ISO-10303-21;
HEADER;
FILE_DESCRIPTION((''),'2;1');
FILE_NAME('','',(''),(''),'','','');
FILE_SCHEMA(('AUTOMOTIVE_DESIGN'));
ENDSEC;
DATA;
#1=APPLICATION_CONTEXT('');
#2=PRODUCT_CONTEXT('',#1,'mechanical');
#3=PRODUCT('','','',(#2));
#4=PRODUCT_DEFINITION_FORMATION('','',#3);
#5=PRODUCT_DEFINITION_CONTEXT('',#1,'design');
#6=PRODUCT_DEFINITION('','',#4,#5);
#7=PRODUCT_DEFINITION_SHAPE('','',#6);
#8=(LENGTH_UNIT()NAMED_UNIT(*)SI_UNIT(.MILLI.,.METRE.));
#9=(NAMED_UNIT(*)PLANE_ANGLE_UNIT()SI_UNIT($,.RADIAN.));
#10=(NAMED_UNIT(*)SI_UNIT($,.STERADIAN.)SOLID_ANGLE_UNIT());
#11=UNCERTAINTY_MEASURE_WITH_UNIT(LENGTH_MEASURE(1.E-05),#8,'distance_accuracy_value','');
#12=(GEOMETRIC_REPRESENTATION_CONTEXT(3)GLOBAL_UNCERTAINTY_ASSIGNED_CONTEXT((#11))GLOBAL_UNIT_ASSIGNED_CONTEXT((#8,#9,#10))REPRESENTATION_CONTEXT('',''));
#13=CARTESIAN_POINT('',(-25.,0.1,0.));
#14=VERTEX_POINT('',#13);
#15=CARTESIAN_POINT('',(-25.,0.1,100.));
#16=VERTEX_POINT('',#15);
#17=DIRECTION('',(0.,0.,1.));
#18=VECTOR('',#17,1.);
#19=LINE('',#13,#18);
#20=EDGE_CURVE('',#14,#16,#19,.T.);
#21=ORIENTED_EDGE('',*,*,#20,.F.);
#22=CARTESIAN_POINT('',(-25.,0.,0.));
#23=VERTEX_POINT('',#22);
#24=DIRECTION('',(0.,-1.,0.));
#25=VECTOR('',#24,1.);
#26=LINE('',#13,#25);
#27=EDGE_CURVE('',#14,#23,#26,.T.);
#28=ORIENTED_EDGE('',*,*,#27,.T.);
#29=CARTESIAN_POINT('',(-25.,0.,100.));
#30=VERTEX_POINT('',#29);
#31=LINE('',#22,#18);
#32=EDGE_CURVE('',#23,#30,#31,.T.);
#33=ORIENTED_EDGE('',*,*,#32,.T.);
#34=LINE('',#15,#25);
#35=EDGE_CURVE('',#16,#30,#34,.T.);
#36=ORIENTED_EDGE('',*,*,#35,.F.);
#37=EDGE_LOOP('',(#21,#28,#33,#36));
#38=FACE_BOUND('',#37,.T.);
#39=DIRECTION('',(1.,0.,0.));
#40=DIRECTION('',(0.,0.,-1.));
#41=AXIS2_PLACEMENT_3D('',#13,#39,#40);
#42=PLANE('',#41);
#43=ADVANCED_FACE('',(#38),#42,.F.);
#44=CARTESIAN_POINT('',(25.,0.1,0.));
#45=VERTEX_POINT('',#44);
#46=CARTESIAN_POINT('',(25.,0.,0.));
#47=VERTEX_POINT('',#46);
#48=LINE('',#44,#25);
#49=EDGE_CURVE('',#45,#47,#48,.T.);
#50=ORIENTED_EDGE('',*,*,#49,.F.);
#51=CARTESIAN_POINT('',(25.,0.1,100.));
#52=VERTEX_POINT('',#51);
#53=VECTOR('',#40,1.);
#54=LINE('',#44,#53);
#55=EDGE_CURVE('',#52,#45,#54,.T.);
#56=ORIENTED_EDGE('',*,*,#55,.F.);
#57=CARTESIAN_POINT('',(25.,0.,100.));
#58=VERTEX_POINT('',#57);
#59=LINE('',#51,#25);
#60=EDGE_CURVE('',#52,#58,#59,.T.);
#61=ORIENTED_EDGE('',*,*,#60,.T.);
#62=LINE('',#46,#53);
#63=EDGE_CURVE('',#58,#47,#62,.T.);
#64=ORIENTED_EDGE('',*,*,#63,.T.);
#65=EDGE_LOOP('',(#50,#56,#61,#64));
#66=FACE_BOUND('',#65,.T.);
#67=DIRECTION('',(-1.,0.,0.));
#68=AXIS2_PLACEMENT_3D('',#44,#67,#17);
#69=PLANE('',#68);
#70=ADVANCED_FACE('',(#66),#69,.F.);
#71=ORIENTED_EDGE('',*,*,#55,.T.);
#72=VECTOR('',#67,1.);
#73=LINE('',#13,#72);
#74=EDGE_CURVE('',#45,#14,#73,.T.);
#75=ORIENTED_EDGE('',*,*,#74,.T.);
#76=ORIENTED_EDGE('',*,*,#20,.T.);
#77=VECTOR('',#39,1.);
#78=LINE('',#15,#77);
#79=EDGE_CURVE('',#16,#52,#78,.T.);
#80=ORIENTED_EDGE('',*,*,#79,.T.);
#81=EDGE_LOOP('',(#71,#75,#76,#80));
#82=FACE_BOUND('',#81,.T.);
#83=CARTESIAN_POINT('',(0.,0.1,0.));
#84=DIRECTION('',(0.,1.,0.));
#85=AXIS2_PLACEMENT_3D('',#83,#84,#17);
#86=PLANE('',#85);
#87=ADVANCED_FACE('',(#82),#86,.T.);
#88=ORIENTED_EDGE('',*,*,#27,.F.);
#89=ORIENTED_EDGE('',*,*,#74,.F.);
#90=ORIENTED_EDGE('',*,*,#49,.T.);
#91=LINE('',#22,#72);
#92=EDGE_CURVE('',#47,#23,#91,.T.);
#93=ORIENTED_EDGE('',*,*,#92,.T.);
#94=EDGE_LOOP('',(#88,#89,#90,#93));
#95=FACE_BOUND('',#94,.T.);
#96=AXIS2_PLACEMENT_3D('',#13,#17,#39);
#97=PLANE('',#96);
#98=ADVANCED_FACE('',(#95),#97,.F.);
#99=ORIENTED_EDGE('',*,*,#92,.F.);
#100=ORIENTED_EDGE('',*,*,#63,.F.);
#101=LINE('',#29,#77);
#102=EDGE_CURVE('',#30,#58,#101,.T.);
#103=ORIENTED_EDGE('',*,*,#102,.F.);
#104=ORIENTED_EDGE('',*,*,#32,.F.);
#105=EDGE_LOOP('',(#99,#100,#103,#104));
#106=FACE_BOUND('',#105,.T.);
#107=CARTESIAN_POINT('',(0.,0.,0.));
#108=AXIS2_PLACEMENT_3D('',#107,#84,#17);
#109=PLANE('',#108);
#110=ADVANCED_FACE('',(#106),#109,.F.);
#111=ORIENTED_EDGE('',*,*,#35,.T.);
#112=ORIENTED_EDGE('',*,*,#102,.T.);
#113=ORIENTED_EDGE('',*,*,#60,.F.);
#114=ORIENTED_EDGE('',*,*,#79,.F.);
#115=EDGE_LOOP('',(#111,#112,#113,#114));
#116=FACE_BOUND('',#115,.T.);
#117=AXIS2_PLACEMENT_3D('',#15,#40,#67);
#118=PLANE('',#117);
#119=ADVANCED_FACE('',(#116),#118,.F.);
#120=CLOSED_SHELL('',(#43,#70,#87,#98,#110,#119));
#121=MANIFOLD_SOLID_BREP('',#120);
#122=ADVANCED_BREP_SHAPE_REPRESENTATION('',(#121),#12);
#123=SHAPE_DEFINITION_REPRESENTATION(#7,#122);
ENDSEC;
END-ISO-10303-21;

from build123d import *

# Parameters (mm, degrees)
SKETCH1_W           = 50
SKETCH1_H           = 100
BOSS_EXTRUDE1_DEPTH = 0.1


with BuildPart() as part:
    # Sketch1 → Boss-Extrude1 (new body)
    with BuildSketch(Plane(origin=(0, 0, 0), x_dir=(1, 0, 0), z_dir=(0, 1, 0))):
        with Locations((0, -50)):
            Rectangle(SKETCH1_W, SKETCH1_H)
    extrude(amount=BOSS_EXTRUDE1_DEPTH)


solid = part.part
